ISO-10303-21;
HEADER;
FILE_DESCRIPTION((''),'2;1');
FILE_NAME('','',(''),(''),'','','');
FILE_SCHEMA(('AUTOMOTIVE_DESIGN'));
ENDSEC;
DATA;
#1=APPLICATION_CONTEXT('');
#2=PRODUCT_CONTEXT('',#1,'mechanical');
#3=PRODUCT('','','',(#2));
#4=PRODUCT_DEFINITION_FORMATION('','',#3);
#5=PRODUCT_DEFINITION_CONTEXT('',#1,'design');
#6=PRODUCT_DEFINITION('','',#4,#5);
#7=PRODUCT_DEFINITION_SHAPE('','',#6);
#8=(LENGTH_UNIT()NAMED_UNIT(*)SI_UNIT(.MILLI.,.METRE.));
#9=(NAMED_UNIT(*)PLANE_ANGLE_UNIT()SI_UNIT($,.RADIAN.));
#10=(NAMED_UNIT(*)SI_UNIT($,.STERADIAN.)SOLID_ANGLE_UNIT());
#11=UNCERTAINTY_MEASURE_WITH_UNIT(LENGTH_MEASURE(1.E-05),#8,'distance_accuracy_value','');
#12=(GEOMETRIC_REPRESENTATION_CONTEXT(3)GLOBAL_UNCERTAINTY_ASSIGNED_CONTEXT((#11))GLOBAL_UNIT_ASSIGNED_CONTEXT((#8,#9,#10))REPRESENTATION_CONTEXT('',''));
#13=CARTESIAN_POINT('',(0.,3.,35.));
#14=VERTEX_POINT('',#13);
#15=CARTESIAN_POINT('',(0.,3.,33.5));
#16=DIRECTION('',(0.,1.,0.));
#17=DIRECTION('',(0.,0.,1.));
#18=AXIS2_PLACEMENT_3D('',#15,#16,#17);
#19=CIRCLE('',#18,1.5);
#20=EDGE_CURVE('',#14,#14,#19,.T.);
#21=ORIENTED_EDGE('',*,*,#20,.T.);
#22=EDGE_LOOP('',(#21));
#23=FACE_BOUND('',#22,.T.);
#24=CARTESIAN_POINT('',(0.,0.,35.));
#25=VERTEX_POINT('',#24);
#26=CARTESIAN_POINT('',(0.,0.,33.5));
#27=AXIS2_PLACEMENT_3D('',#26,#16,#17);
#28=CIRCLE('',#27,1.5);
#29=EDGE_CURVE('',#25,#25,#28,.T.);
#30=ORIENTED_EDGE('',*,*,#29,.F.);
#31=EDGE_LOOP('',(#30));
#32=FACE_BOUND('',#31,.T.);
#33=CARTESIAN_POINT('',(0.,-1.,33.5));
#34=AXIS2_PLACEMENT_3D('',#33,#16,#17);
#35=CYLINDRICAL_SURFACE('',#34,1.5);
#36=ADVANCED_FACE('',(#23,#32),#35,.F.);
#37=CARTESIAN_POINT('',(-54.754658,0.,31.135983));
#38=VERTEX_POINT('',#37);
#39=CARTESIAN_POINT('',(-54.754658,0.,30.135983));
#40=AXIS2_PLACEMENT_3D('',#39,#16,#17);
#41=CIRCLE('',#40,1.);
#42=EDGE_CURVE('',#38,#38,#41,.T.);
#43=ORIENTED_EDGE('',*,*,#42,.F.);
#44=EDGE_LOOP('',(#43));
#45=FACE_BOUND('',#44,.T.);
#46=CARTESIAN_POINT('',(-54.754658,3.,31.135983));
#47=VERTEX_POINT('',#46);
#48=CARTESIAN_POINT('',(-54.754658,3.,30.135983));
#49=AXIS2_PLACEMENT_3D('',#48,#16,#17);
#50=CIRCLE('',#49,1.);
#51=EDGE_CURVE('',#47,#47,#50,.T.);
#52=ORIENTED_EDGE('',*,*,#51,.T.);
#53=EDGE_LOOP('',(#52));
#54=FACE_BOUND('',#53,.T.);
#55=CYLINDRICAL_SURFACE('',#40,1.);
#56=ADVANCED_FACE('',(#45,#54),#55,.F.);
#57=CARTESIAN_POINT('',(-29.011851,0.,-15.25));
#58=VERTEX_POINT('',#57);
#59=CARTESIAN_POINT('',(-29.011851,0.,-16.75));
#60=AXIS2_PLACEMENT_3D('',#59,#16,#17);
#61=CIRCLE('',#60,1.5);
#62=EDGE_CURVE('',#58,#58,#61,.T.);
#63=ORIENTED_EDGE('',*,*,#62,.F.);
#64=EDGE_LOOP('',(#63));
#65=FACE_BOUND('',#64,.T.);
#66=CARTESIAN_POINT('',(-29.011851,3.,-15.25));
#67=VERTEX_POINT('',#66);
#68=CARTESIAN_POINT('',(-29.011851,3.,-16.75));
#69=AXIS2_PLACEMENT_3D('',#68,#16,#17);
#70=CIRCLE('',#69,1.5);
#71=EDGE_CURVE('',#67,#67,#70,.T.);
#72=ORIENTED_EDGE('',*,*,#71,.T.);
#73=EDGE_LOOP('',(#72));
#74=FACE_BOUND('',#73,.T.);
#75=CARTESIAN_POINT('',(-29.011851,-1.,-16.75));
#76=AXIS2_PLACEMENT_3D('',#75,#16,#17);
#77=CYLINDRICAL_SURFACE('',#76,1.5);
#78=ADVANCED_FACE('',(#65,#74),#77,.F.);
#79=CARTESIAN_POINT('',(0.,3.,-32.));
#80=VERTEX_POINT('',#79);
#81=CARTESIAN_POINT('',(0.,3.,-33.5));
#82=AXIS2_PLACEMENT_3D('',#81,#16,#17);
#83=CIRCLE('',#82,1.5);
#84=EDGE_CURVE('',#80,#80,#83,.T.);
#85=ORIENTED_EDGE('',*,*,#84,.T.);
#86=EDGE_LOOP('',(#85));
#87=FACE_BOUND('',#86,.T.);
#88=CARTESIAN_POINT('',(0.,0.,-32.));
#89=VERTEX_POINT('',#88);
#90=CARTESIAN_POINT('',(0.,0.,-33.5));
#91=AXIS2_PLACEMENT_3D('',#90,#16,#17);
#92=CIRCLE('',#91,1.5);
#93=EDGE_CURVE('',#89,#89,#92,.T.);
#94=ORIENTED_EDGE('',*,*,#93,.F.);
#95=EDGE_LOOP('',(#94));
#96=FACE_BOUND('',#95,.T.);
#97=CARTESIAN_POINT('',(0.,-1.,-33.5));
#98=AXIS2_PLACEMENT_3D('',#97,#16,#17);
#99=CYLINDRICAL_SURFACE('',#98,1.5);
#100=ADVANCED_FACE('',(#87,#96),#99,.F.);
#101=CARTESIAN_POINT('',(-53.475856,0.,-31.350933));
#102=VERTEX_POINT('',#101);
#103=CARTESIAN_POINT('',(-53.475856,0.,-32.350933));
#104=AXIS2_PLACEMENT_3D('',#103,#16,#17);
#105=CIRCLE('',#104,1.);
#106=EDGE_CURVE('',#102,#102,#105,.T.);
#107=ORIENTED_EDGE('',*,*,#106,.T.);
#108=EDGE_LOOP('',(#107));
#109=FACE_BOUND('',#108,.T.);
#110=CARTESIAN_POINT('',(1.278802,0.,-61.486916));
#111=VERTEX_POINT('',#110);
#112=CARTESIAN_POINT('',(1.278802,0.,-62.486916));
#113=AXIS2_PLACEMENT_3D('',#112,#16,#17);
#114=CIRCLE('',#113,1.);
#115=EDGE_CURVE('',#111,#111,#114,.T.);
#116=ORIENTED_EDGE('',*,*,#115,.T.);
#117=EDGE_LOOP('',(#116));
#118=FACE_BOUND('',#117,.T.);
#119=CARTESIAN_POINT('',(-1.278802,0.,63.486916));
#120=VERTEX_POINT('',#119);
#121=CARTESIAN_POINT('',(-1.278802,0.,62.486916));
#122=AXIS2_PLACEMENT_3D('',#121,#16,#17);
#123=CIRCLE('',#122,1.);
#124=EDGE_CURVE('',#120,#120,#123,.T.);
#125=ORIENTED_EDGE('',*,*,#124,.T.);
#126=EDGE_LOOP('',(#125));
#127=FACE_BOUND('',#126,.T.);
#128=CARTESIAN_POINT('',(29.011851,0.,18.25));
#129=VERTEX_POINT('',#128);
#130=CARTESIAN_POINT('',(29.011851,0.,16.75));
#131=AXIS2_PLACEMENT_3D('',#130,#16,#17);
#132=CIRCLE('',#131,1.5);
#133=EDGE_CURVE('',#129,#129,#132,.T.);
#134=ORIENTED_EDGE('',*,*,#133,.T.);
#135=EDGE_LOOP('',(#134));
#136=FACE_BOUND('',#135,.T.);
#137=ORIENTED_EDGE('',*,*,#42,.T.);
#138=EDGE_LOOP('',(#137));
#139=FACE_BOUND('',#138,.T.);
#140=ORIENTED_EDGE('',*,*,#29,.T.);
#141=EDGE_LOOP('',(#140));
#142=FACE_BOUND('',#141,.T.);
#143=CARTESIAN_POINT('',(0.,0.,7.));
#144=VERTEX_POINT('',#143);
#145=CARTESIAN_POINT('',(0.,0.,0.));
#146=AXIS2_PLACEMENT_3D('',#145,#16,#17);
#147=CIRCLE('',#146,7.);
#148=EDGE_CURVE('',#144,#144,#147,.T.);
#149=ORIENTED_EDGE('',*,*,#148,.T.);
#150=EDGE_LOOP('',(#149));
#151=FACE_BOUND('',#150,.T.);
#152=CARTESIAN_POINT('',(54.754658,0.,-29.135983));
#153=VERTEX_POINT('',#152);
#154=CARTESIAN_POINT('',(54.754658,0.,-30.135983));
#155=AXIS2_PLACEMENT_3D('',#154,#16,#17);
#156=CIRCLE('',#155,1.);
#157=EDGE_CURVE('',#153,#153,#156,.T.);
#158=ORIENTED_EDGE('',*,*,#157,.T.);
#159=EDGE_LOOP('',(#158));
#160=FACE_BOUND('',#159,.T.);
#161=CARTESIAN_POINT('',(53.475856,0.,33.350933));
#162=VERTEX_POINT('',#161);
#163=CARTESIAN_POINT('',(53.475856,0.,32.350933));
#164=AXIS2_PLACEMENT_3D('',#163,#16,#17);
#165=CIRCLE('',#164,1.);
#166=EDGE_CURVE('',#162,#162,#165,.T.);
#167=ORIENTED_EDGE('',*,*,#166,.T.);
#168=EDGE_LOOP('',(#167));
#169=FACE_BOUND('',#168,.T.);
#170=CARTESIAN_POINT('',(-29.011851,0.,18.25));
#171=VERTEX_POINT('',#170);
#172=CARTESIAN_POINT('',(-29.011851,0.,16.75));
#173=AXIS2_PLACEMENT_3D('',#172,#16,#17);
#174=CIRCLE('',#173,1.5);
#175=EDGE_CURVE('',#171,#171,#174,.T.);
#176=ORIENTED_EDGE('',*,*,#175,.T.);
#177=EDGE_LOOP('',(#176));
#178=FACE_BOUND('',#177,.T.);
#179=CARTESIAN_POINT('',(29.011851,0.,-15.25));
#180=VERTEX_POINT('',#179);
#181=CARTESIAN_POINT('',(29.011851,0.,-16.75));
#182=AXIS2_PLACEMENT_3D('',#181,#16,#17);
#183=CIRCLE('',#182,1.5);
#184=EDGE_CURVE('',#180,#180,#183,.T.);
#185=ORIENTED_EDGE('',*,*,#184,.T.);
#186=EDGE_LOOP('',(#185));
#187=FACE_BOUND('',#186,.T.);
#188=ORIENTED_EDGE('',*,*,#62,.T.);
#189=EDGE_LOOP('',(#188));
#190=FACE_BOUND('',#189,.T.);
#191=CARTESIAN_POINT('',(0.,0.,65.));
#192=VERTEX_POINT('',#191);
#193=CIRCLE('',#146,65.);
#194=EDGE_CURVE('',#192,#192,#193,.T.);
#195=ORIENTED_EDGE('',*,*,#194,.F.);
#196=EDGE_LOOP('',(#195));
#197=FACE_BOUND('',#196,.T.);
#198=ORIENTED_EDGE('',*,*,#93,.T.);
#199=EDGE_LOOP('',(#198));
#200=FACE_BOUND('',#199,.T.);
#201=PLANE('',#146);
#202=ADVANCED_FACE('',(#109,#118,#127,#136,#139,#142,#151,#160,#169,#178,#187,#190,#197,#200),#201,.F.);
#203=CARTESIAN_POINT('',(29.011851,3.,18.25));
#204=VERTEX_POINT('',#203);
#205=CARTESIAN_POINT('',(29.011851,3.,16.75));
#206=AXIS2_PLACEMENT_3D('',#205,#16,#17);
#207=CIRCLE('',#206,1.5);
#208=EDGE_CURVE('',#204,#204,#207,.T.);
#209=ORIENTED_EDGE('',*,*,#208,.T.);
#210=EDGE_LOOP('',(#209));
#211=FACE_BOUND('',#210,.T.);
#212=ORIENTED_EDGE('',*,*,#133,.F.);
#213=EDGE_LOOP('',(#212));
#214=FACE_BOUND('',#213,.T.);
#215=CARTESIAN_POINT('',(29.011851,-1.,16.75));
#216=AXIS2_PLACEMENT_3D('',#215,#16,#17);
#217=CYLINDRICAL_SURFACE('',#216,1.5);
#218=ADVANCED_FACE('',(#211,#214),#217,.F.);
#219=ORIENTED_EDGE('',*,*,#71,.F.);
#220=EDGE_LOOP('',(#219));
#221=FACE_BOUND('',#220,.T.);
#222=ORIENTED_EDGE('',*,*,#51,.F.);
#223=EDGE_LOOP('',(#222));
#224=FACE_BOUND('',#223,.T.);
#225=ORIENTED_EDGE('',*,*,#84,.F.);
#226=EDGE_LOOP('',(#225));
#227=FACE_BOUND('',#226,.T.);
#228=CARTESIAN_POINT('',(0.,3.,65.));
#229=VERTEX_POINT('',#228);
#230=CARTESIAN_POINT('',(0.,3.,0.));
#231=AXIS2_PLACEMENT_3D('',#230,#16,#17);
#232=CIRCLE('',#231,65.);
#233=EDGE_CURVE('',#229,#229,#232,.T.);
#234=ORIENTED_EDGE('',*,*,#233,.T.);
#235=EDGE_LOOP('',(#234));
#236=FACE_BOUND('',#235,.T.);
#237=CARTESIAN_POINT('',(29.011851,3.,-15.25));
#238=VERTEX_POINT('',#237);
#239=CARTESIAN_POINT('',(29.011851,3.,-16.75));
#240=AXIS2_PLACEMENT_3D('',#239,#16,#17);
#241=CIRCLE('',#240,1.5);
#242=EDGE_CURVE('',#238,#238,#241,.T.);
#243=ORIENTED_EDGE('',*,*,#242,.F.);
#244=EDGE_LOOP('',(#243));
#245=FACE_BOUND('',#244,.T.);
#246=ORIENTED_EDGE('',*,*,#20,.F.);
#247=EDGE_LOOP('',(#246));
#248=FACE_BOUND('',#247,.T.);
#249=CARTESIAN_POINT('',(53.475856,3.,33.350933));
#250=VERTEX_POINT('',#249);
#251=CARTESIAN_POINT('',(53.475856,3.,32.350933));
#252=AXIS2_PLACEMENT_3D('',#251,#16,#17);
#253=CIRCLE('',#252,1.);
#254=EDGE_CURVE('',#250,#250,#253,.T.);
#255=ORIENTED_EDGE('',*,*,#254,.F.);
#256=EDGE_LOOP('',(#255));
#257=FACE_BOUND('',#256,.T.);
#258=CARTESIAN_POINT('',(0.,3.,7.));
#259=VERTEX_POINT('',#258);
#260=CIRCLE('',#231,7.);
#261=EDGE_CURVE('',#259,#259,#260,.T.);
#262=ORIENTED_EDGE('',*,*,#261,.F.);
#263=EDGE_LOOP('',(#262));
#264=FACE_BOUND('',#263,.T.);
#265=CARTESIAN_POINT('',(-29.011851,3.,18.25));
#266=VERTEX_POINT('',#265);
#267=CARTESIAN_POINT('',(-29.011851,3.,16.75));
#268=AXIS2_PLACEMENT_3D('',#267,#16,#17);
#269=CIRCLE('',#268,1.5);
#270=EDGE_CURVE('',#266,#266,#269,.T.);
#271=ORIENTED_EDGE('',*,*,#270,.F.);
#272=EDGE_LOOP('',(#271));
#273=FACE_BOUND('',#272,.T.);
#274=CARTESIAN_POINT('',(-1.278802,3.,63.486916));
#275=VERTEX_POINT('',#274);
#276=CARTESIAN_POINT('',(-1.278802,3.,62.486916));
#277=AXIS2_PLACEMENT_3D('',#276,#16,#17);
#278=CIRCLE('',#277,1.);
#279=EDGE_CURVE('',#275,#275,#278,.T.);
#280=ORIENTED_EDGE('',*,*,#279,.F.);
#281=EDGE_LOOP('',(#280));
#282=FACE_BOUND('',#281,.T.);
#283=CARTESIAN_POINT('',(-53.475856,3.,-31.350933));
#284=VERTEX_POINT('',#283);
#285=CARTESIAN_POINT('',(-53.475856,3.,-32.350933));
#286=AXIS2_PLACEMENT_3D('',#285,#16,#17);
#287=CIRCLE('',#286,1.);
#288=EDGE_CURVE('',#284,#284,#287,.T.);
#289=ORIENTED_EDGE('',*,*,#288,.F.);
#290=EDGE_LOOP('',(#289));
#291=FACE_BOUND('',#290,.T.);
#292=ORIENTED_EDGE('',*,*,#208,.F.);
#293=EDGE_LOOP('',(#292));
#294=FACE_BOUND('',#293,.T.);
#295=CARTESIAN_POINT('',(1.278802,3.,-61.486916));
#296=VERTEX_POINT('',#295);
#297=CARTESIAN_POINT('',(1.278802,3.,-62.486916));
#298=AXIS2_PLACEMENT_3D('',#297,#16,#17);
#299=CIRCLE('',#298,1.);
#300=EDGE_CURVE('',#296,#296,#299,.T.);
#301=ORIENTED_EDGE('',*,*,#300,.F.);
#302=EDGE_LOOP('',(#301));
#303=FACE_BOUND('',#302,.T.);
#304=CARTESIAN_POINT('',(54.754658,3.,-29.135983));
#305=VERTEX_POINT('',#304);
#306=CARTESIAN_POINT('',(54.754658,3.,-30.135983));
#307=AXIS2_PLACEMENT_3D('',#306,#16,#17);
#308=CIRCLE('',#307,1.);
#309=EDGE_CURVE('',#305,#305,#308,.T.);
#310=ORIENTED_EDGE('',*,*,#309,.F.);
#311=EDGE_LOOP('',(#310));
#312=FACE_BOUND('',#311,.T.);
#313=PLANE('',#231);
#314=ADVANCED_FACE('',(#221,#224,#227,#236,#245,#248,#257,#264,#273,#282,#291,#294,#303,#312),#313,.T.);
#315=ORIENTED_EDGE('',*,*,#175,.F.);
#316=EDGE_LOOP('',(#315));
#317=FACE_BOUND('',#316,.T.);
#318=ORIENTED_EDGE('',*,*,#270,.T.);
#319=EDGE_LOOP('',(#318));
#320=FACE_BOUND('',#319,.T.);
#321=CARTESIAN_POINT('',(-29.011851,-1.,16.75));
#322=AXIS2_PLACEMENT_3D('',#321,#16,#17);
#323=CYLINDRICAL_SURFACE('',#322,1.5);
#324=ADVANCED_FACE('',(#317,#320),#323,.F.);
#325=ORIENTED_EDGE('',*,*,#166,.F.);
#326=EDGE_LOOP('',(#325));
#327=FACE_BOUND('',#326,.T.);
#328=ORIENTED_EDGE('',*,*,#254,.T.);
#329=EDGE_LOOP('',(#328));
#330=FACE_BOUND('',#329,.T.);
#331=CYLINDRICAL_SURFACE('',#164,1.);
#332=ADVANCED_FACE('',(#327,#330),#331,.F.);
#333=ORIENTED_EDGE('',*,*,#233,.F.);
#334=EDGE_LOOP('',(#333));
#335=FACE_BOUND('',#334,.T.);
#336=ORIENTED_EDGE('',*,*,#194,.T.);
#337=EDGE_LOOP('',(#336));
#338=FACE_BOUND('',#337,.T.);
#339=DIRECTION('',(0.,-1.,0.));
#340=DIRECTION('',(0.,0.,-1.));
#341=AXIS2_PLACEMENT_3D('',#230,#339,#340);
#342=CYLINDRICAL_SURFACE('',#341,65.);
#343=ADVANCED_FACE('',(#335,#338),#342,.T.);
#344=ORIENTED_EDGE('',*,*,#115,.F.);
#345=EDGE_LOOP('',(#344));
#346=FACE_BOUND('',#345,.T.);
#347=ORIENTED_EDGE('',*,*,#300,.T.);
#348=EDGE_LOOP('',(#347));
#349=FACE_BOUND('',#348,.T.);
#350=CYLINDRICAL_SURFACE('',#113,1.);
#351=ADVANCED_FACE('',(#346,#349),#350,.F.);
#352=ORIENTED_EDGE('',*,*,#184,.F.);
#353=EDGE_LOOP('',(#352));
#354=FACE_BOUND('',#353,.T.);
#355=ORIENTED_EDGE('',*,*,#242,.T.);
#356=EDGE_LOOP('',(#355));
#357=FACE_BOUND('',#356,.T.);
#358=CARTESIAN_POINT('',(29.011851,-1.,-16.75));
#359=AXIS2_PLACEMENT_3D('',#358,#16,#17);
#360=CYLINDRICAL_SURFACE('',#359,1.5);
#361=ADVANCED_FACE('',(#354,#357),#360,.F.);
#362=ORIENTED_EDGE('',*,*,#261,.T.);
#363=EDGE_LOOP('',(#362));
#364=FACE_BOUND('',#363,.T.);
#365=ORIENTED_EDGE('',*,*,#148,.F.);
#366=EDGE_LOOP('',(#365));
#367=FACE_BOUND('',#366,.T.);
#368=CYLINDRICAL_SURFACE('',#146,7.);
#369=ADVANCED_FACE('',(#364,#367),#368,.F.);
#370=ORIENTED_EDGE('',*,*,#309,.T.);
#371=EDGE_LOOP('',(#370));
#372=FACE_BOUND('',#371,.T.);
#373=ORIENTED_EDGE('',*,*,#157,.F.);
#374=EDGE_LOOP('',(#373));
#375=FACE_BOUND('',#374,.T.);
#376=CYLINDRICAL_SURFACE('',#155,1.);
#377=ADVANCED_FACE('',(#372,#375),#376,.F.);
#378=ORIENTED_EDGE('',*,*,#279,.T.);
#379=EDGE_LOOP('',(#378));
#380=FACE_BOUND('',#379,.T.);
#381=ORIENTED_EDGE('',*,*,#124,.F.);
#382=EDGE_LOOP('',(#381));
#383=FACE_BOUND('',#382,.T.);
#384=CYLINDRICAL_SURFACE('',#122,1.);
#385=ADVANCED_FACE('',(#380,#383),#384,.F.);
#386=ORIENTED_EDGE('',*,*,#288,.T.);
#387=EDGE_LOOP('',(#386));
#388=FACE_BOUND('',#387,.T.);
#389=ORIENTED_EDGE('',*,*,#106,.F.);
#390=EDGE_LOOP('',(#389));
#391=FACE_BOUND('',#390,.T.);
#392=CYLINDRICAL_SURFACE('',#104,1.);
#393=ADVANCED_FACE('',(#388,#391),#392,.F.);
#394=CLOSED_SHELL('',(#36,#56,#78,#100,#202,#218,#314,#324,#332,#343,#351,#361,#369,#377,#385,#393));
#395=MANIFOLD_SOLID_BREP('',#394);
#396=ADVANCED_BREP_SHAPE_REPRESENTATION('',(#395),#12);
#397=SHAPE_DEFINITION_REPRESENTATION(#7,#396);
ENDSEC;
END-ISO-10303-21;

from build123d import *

# Parameters (mm, degrees)
ESQUISSE1_R             = 65
BOSS_EXTRU_1_DEPTH      = 3
ESQUISSE2_R             = 1
ENL_V_MAT_EXTRU_1_DEPTH = 3
ESQUISSE3_R             = 7
ENL_V_MAT_EXTRU_2_DEPTH = 3
ESQUISSE4_R             = 1.5
ENL_V_MAT_EXTRU_4_DEPTH = 4


with BuildPart() as part:
    # Esquisse1 → Boss.-Extru.1 (new body)
    with BuildSketch(Plane(origin=(0, 0, 0), x_dir=(1, 0, 0), z_dir=(0, 1, 0))):
        with Locations(Location((0, 0, 0), (0, 0, 270))):
            Circle(ESQUISSE1_R)
    extrude(amount=BOSS_EXTRU_1_DEPTH)

    # Esquisse2 → Enlèv. mat.-Extru.1 (cut)
    with BuildSketch(Plane(origin=(0, 3, 0), x_dir=(1, 0, 0), z_dir=(0, 1, 0))):
        with Locations(Location((-53.47585562, 32.350932996, 0), (0, 0, 270))):
            Circle(ESQUISSE2_R)
        with Locations(Location((-54.754657621, -30.135982958, 0), (0, 0, 270))):
            Circle(ESQUISSE2_R)
        with Locations(Location((-1.278802001, -62.486915954, 0), (0, 0, 270))):
            Circle(ESQUISSE2_R)
        with Locations(Location((53.47585562, -32.350932996, 0), (0, 0, 270))):
            Circle(ESQUISSE2_R)
        with Locations(Location((54.754657621, 30.135982958, 0), (0, 0, 270))):
            Circle(ESQUISSE2_R)
        with Locations(Location((1.278802001, 62.486915954, 0), (0, 0, 270))):
            Circle(ESQUISSE2_R)
    extrude(amount=-ENL_V_MAT_EXTRU_1_DEPTH, mode=Mode.SUBTRACT)

    # Esquisse3 → Enlèv. mat.-Extru.2 (cut)
    with BuildSketch(Plane(origin=(0, 3, 0), x_dir=(1, 0, 0), z_dir=(0, 1, 0))):
        with Locations(Location((0, 0, 0), (0, 0, 270))):
            Circle(ESQUISSE3_R)
    extrude(amount=-ENL_V_MAT_EXTRU_2_DEPTH, mode=Mode.SUBTRACT)

    # Esquisse4 → Enlèv. mat.-Extru.4 (cut)
    with BuildSketch(Plane(origin=(0, 3, 0), x_dir=(1, 0, 0), z_dir=(0, 1, 0))):
        with Locations(Location((0, 33.5, 0), (0, 0, 270))):
            Circle(ESQUISSE4_R)
        with Locations(Location((29.011851027, 16.75, 0), (0, 0, 270))):
            Circle(ESQUISSE4_R)
        with Locations(Location((29.011851027, -16.75, 0), (0, 0, 270))):
            Circle(ESQUISSE4_R)
        with Locations(Location((0, -33.5, 0), (0, 0, 270))):
            Circle(ESQUISSE4_R)
        with Locations(Location((-29.011851027, -16.75, 0), (0, 0, 270))):
            Circle(ESQUISSE4_R)
        with Locations(Location((-29.011851027, 16.75, 0), (0, 0, 270))):
            Circle(ESQUISSE4_R)
    extrude(amount=-ENL_V_MAT_EXTRU_4_DEPTH, mode=Mode.SUBTRACT)


solid = part.part
